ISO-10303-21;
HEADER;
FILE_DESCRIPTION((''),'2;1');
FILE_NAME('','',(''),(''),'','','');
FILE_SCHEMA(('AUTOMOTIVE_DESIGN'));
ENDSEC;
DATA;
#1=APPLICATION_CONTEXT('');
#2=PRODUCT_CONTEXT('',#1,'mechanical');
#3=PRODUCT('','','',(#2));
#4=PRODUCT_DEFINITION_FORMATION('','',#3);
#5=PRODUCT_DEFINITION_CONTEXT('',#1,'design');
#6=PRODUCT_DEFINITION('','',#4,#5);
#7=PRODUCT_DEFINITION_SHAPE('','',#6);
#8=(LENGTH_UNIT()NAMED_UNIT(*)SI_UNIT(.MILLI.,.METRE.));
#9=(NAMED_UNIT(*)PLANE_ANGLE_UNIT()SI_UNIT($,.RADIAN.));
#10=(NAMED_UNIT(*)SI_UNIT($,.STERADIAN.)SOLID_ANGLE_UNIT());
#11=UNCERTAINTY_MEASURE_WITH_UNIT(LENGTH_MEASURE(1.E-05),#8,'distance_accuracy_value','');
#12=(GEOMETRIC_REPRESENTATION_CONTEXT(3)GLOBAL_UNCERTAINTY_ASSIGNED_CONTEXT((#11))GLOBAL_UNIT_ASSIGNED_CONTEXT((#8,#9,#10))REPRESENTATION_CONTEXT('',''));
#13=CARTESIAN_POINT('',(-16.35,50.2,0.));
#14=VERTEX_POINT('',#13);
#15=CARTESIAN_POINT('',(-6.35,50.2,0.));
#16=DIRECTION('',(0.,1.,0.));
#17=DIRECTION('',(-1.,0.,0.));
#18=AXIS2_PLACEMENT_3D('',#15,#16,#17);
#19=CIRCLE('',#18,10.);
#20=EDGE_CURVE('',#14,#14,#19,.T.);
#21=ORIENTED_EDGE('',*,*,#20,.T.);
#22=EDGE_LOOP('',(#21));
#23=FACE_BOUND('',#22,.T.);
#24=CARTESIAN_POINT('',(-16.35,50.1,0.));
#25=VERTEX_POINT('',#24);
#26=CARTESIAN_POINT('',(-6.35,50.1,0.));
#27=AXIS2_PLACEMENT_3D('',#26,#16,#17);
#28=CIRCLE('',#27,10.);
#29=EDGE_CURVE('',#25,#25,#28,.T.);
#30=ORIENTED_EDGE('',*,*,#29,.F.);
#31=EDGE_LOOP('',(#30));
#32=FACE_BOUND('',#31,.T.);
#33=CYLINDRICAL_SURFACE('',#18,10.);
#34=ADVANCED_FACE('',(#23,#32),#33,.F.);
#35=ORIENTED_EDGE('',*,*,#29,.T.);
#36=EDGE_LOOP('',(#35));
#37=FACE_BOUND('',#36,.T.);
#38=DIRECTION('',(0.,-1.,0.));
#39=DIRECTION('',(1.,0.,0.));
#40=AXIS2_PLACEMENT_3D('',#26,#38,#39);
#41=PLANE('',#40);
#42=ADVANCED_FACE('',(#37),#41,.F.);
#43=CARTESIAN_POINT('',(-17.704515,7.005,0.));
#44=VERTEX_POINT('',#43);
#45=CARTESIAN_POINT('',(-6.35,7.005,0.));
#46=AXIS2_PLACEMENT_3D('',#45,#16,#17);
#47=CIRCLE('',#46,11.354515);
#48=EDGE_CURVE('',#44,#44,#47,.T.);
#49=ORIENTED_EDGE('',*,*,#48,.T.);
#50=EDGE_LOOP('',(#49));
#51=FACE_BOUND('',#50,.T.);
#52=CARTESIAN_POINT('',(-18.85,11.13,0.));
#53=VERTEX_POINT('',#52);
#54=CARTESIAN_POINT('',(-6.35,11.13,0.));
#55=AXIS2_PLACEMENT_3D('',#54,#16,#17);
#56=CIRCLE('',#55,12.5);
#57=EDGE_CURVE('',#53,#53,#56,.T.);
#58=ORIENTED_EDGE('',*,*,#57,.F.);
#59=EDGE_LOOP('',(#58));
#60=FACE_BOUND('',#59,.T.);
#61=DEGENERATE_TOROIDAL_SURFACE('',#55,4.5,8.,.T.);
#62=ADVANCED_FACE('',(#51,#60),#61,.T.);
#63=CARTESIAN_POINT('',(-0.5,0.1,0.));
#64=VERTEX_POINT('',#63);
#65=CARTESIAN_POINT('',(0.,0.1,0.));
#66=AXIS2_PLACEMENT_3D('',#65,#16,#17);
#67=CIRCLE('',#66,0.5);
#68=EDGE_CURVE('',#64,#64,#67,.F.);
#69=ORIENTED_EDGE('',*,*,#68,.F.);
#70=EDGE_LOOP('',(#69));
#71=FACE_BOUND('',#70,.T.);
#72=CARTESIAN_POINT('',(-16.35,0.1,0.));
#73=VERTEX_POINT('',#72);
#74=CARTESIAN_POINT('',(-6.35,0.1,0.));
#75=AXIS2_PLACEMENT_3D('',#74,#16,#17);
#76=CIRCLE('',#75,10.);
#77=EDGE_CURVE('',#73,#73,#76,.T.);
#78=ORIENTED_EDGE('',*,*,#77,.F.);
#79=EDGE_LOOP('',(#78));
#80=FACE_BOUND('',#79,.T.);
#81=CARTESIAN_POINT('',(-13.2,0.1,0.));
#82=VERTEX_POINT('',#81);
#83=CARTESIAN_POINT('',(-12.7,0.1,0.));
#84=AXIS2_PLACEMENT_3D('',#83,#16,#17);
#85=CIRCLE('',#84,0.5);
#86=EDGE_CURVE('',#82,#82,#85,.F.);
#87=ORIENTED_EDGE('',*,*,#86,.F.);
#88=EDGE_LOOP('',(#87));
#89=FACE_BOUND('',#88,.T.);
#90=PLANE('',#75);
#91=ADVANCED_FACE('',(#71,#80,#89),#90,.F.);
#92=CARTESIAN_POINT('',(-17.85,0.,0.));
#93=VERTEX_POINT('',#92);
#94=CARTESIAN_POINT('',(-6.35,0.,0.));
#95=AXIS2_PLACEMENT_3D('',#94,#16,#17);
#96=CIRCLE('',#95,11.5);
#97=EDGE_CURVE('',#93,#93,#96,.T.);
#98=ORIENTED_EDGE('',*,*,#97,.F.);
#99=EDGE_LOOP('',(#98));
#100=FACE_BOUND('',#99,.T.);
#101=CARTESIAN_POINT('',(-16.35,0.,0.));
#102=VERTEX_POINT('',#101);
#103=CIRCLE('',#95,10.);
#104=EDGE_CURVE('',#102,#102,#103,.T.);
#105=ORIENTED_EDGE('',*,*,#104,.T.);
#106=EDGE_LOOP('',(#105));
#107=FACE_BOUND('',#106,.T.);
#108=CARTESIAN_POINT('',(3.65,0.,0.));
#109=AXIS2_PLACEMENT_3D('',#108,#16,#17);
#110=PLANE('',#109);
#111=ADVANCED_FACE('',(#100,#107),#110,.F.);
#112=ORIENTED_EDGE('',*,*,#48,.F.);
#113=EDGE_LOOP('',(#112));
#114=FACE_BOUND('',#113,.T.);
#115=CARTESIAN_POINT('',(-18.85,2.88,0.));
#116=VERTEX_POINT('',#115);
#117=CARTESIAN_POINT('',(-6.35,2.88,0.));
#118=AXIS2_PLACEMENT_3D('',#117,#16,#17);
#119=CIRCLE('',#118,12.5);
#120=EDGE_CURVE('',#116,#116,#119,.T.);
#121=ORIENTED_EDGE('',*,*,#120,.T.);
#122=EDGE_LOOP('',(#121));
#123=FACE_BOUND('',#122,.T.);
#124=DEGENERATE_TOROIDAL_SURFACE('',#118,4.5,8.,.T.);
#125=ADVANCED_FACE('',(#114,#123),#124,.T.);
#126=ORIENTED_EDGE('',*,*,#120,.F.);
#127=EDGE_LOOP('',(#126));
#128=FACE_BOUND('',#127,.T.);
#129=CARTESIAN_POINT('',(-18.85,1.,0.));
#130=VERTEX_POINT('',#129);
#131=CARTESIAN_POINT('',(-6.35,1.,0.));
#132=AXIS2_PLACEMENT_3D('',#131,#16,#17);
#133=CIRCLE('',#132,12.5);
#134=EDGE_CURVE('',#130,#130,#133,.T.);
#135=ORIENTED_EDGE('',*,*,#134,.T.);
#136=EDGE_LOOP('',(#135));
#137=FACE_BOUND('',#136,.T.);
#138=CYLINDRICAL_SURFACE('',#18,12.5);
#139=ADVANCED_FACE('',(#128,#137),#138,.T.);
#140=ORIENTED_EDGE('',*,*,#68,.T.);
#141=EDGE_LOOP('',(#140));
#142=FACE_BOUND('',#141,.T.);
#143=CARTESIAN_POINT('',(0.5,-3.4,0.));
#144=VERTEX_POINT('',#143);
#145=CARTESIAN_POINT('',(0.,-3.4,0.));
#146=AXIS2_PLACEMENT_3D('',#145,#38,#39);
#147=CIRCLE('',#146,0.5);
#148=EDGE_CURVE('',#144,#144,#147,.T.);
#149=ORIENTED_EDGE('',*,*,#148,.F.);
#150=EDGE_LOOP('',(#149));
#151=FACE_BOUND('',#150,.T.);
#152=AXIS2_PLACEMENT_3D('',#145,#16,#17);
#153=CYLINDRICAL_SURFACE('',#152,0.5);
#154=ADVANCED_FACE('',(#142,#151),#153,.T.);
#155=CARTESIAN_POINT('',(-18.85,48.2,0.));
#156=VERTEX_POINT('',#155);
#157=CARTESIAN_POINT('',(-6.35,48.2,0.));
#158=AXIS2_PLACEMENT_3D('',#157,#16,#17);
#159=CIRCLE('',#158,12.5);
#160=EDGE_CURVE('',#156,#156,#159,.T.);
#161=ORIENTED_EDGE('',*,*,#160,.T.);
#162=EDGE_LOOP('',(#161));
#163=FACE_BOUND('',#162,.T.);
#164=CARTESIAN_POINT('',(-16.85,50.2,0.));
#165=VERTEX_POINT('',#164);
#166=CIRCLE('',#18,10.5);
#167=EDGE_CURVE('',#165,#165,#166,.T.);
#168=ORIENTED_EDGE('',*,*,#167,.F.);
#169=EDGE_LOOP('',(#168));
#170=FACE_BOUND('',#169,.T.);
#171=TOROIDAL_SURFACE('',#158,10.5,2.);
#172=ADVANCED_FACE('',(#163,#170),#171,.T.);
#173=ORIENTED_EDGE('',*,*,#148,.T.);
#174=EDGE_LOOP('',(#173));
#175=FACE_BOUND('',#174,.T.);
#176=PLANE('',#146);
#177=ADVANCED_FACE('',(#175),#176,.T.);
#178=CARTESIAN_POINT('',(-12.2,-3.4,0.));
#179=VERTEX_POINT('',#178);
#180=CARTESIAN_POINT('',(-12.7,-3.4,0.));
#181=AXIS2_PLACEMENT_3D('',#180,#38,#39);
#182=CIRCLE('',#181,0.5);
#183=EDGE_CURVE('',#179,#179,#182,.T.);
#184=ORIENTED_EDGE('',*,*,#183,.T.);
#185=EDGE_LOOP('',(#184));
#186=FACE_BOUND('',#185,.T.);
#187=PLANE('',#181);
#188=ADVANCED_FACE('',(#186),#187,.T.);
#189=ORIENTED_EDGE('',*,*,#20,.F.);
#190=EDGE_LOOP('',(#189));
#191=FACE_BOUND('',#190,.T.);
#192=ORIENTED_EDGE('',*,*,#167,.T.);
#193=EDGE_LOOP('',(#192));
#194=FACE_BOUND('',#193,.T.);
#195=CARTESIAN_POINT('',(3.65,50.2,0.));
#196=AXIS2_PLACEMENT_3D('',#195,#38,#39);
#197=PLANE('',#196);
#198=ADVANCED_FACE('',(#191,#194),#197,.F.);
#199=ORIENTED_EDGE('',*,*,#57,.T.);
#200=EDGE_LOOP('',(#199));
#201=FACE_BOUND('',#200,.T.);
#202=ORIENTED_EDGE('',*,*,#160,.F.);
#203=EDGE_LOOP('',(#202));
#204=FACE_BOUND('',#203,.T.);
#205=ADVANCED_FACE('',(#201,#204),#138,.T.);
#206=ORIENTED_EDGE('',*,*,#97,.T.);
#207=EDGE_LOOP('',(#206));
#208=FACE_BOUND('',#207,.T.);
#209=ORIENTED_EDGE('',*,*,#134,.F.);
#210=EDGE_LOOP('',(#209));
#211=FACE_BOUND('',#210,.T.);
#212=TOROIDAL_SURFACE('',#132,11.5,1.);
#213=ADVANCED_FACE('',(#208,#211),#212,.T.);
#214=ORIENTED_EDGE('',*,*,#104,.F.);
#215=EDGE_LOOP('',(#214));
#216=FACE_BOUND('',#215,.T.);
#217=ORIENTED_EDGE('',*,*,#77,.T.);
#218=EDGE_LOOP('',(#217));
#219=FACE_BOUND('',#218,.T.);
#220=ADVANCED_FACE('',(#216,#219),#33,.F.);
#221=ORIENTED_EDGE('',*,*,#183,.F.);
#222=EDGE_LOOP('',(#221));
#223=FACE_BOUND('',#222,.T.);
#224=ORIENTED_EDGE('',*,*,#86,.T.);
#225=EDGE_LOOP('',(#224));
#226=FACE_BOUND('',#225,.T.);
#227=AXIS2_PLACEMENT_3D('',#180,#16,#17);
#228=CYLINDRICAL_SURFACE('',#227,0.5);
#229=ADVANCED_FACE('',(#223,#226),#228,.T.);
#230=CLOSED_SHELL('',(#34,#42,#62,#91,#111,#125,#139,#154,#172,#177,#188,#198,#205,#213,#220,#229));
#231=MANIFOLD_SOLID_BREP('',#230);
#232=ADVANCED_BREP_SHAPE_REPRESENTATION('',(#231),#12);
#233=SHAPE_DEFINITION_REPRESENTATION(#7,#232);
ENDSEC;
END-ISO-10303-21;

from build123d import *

# Parameters (mm, degrees)
SKETCH2_R           = 0.5
BOSS_EXTRUDE1_DEPTH = 3.5


with BuildPart() as part:
    # Sketch1 → Base-Revolve (revolve)
    with BuildSketch(Plane.XY):
        with BuildLine():
            Line((-6.35, 0.1), (3.65, 0.1))
            Line((3.65, 0.1), (3.65, 0))
            Line((3.65, 0), (5.15, 0))
            ThreePointArc((5.15, 0), (5.857106781, 0.292893219), (6.15, 1))
            Line((6.15, 1), (6.15, 2.88))
            ThreePointArc((6.15, 2.88), (5.858311082, 5.020546719), (5.004514935, 7.005))
            ThreePointArc((5.004514935, 7.005), (5.858311082, 8.989453281), (6.15, 11.13))
            Line((6.15, 11.13), (6.15, 48.2))
            ThreePointArc((6.15, 48.2), (5.564213562, 49.614213562), (4.15, 50.2))
            Line((4.15, 50.2), (3.65, 50.2))
            Line((3.65, 50.2), (3.65, 50.1))
            Line((3.65, 50.1), (-6.35, 50.1))
            Line((-6.35, 50.1), (-6.35, 0.1))
        make_face()
    revolve(axis=Axis((-6.35, 50.2, 0), (0, -1, 0)))

    # Sketch2 → Boss-Extrude1 (add)
    with BuildSketch(Plane.XZ.offset(-0.1)):
        Circle(SKETCH2_R)
        with Locations((-12.7, 0)):
            Circle(SKETCH2_R)
    extrude(amount=BOSS_EXTRUDE1_DEPTH)


solid = part.part
